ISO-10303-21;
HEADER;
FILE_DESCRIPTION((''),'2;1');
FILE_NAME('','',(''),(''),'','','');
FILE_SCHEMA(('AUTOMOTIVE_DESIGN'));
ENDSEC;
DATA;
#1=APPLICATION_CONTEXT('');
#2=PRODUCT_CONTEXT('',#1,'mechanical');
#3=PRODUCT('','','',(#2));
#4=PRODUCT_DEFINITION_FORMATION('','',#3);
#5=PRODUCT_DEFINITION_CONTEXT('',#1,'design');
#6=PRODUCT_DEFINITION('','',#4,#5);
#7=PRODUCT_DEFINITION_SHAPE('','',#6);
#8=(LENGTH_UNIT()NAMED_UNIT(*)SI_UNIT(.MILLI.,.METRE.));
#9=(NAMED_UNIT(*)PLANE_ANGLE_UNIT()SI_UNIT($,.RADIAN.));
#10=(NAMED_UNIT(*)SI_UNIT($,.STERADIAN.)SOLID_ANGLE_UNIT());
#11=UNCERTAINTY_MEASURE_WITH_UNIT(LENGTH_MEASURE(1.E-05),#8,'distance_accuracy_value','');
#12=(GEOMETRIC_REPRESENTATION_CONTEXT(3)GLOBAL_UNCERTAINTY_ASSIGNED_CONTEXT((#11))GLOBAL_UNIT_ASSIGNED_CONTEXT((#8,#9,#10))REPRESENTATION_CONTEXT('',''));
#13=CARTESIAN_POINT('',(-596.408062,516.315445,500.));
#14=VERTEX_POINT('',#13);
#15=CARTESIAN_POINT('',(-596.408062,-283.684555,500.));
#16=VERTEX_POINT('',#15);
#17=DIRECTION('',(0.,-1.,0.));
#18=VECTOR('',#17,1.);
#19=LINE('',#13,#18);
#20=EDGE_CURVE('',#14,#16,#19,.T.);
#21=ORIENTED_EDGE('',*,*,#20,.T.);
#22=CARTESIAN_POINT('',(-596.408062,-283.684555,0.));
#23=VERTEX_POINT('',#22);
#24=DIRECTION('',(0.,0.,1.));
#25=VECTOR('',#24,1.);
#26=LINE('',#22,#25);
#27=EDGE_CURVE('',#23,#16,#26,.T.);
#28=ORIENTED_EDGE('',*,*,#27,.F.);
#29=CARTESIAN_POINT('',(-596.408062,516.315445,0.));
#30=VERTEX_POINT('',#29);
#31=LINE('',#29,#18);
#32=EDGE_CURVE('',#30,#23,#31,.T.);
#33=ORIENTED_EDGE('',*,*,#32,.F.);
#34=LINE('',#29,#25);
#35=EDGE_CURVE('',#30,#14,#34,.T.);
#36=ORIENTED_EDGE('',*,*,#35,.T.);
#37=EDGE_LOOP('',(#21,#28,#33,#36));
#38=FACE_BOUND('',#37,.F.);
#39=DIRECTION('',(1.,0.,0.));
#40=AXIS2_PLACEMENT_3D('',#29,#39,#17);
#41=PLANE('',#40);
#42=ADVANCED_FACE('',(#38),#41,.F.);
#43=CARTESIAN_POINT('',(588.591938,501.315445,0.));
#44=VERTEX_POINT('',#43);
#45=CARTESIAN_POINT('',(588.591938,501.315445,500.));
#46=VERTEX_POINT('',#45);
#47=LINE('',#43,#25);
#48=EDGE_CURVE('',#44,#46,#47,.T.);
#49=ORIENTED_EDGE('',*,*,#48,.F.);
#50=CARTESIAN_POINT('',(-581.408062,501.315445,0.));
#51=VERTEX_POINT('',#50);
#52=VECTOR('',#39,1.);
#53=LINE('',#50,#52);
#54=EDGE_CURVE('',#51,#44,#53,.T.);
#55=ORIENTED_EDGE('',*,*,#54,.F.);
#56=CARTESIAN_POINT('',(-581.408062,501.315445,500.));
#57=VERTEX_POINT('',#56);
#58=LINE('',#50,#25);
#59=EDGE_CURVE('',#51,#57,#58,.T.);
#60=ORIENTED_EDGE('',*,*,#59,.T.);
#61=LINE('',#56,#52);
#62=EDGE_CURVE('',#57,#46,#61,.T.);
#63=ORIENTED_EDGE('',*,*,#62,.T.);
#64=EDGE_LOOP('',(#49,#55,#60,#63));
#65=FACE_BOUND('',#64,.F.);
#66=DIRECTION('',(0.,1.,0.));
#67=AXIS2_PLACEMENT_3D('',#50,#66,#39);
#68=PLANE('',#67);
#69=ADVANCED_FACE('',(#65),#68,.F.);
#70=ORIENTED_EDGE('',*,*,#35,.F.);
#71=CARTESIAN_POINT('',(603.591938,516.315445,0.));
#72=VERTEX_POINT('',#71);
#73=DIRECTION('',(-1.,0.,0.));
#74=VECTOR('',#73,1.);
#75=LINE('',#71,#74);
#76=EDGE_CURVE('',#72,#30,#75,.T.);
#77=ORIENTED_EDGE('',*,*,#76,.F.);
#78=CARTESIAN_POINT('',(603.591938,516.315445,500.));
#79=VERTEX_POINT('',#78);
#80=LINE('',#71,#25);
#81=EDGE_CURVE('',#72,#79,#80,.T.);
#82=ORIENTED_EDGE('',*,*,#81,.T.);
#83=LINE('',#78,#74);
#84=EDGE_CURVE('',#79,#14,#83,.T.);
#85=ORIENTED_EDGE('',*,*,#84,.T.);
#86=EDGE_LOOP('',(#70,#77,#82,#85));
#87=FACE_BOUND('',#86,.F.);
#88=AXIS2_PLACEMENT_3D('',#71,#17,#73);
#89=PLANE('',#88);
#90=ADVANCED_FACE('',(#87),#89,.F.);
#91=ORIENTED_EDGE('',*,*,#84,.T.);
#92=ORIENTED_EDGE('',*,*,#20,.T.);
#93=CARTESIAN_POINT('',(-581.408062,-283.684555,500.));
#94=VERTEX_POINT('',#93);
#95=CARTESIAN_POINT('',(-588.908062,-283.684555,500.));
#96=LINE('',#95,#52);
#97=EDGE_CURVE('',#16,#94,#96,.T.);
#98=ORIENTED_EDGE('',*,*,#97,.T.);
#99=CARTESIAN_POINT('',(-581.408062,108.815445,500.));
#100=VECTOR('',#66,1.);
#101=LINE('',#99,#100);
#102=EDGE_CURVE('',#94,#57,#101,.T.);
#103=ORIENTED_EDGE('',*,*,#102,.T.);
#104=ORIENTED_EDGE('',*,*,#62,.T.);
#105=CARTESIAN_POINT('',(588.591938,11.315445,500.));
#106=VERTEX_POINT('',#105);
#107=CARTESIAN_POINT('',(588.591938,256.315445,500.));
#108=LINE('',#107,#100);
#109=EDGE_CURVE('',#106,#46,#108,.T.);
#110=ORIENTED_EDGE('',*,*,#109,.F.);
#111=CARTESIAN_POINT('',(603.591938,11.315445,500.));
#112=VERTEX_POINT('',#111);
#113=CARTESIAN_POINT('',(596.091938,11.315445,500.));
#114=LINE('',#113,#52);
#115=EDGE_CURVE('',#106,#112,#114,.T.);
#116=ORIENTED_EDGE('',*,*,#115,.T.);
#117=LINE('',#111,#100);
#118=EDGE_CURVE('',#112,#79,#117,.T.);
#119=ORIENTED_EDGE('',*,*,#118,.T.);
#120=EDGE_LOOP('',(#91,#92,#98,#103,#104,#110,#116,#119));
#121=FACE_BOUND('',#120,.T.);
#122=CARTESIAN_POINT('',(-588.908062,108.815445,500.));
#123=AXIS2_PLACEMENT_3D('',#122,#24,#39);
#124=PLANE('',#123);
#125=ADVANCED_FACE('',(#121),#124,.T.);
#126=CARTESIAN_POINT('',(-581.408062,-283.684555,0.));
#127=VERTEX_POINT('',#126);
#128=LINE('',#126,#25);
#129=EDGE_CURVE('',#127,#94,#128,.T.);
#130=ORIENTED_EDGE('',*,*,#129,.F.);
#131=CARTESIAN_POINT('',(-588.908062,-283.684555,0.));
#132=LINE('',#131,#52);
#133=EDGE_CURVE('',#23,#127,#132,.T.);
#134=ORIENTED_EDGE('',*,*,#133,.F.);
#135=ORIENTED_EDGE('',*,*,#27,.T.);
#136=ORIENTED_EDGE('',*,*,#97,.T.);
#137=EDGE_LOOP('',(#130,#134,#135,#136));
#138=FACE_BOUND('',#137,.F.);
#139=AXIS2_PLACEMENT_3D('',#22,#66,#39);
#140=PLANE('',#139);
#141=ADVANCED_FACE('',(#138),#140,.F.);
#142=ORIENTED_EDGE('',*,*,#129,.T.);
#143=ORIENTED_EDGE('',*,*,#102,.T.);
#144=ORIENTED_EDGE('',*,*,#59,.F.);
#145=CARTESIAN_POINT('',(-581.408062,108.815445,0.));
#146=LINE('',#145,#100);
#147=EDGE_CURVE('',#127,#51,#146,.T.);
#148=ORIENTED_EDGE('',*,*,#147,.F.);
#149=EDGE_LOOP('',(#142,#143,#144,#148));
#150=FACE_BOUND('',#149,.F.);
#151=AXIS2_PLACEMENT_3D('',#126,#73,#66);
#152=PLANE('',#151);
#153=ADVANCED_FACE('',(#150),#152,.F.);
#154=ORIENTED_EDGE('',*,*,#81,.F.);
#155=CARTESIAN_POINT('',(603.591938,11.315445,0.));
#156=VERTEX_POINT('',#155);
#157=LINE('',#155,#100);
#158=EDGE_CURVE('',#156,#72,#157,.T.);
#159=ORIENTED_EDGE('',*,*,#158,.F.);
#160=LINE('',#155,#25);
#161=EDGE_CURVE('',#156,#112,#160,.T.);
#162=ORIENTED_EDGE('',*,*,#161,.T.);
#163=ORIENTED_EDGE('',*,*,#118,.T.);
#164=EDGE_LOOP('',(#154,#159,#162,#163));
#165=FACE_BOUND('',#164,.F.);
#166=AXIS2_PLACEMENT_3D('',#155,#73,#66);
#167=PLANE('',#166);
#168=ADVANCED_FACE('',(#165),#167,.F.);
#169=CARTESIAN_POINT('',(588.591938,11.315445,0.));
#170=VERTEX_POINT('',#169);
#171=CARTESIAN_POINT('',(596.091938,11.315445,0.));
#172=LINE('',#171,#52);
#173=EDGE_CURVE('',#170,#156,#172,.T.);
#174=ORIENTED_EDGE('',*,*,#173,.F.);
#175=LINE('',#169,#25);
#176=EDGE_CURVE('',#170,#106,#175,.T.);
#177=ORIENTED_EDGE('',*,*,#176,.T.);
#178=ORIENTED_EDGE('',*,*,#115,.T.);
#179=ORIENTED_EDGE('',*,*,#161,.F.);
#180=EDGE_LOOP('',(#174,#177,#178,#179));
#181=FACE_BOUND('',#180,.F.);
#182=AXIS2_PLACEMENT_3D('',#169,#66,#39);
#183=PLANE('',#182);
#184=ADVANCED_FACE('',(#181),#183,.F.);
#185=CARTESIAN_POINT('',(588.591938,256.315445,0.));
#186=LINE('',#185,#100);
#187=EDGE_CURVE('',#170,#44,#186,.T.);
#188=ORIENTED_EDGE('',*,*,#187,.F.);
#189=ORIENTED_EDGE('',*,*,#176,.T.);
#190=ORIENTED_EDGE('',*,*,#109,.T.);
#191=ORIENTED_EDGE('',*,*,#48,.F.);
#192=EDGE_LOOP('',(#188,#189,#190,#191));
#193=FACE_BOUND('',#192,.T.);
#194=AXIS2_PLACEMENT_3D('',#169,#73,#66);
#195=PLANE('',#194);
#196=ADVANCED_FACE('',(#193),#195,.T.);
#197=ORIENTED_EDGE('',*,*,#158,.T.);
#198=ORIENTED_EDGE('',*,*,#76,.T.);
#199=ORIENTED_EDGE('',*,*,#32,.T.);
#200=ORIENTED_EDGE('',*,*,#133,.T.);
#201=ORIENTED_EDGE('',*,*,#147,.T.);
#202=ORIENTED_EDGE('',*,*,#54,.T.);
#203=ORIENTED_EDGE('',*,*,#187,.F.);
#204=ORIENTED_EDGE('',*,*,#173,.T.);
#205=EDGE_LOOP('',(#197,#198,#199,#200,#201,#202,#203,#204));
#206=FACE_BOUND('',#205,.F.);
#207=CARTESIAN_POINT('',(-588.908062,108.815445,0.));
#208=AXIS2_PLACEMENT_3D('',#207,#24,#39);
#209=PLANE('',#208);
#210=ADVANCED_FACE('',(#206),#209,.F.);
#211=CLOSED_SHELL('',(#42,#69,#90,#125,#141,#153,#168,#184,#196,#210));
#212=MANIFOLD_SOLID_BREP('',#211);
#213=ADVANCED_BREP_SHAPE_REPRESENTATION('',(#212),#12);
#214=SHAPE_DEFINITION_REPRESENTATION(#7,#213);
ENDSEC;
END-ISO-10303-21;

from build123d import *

# Parameters (mm, degrees)
F0_W     = 15
F0_H     = 785
F0_H_2   = 490
F1_DEPTH = 500


with BuildPart() as f1:
    # F0 (on Top) → F1 (new body)
    with BuildSketch(Plane.XY):
        with Locations((-588.908062, 108.815445)):
            Rectangle(F0_W, F0_H)
        Polygon((603.591938, 516.315445), (-596.408062, 516.315445), (-596.408062, 501.315445), (-581.408062, 501.315445), (588.591938, 501.315445), (603.591938, 501.315445), align=None)
        with Locations((596.091938, 256.315445)):
            Rectangle(F0_W, F0_H_2)
    extrude(amount=F1_DEPTH)


solid = f1.part
